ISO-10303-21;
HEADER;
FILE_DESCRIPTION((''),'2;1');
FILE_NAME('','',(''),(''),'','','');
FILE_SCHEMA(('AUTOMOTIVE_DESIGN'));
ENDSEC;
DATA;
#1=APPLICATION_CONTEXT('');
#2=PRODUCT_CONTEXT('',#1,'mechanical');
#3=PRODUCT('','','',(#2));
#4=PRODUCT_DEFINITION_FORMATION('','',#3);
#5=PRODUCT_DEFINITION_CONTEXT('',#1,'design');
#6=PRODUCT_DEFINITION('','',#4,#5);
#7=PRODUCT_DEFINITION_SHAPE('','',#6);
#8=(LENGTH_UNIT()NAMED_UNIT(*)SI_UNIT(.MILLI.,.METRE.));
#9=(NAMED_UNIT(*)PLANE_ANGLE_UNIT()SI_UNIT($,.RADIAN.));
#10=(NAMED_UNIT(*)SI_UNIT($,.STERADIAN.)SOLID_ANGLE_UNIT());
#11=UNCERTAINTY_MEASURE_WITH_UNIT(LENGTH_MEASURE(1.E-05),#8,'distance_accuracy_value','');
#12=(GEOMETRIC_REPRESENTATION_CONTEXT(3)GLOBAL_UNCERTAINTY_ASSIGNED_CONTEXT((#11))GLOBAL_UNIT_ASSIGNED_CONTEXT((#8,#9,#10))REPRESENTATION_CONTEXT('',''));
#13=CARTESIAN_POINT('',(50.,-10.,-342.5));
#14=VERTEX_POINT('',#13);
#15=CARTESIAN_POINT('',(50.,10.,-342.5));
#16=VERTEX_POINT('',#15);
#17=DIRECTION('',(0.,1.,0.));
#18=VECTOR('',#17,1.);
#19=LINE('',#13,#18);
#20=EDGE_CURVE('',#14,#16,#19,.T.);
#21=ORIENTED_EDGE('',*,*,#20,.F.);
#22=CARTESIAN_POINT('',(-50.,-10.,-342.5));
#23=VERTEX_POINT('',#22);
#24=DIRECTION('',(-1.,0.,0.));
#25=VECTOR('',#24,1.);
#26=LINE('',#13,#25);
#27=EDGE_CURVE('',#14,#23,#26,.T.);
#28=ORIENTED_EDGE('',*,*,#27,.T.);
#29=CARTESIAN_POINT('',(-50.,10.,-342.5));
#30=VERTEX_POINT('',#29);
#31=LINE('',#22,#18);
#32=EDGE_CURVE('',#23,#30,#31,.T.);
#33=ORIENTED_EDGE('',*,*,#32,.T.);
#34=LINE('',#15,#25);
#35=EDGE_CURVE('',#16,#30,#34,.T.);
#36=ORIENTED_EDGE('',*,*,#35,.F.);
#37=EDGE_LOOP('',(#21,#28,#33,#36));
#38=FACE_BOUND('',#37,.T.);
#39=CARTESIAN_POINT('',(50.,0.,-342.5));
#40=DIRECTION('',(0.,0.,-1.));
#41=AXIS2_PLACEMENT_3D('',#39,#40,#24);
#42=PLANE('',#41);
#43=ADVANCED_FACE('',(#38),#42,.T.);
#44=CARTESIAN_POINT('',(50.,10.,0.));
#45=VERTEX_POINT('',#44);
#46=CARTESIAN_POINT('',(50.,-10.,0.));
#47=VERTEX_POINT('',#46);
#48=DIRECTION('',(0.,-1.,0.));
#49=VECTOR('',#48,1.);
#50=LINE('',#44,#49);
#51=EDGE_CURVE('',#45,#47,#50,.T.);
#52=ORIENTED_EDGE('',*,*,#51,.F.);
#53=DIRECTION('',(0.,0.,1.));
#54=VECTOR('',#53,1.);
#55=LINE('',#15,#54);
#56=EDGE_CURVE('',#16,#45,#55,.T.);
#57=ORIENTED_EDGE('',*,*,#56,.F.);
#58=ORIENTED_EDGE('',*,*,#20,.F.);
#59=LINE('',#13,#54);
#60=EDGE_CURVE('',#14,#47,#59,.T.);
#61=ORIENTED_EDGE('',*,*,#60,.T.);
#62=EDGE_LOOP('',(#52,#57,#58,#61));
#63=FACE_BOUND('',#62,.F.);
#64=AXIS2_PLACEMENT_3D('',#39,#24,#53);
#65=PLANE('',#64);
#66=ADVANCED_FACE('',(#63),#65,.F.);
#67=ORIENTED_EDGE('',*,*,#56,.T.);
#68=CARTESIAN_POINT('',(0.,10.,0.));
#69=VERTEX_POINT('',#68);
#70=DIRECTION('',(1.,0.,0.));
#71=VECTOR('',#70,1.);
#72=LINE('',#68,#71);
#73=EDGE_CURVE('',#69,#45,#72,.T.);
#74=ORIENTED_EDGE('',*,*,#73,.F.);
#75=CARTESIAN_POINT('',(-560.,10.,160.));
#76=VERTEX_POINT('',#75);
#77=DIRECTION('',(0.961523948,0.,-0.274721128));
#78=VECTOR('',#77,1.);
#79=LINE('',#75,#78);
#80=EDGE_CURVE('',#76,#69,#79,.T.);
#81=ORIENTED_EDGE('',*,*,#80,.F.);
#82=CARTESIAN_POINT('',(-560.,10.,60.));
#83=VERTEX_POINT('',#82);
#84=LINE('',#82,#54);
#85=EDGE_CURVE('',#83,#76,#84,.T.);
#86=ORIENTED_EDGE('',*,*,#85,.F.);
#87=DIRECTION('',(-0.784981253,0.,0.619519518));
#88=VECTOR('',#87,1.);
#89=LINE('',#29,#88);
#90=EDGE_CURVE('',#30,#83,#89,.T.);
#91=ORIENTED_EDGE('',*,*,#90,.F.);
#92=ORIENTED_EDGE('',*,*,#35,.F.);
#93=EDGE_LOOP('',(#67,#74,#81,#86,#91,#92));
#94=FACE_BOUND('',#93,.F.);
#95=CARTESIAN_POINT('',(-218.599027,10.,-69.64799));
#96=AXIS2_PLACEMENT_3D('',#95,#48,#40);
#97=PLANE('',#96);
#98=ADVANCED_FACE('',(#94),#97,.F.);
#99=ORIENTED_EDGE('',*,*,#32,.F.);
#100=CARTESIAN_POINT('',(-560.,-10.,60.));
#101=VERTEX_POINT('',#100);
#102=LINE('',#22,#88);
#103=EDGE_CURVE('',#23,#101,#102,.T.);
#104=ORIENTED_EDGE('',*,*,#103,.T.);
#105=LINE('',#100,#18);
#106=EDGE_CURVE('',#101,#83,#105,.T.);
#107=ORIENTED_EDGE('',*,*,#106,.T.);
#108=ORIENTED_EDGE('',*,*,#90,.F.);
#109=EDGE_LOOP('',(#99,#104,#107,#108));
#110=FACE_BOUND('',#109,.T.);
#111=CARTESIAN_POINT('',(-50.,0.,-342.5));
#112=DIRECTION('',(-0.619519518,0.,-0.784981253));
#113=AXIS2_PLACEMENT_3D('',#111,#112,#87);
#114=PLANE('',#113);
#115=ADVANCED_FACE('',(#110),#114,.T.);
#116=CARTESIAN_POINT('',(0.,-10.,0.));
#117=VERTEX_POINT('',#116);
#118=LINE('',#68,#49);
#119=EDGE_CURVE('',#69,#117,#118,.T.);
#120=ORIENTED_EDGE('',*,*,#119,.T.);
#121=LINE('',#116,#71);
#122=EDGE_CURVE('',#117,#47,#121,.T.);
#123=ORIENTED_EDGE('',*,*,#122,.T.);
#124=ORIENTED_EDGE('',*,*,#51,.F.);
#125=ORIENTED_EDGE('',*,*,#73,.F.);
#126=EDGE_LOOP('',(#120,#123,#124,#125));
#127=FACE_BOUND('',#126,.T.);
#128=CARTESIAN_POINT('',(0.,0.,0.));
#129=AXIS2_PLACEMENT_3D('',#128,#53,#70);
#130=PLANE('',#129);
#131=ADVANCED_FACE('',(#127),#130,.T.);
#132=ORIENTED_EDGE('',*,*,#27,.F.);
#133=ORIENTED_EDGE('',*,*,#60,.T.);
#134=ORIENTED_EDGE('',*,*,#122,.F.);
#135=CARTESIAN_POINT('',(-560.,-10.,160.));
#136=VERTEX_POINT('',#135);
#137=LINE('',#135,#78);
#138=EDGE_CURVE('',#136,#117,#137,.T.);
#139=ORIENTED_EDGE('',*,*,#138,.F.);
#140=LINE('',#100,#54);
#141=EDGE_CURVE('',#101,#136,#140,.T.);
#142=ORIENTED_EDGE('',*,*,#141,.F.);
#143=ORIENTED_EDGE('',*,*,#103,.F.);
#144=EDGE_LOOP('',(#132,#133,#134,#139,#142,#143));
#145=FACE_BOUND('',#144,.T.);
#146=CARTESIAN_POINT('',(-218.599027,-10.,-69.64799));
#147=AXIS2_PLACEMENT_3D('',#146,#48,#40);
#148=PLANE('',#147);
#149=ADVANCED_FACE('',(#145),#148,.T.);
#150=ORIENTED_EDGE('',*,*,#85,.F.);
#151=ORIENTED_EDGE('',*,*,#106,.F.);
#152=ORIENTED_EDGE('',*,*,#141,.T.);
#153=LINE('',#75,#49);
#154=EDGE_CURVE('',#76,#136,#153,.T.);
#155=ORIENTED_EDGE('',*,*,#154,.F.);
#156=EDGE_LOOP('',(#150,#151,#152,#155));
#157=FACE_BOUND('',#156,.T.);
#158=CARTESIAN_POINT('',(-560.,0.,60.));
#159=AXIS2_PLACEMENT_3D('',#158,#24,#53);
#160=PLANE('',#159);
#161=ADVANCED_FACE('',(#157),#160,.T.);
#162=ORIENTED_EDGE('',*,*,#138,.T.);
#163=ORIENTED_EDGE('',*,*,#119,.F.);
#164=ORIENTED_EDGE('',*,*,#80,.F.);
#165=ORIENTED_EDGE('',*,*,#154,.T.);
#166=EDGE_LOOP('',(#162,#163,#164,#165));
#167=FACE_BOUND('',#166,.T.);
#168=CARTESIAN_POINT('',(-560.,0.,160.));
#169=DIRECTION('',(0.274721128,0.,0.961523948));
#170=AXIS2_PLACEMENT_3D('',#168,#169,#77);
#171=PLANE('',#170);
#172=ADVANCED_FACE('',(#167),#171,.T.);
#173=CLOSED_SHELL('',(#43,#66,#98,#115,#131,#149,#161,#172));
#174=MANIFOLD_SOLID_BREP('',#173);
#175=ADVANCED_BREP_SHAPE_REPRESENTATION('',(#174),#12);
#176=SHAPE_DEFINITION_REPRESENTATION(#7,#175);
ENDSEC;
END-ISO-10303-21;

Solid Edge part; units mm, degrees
sketch "Sketch1" plane through (0, 0, 0) normal (0, -1, 0) x (1, 0, 0)
  line L0 (50, -342.5) -> (50, 0)
  line L1 (0, 0) -> (50, 0)
  line L2 (-560, 160) -> (0, 0)
  line L3 (-560, 60) -> (-560, 160)
  line L4 (-50, -342.5) -> (-560, 60)
  line L5 (50, -342.5) -> (-50, -342.5)
extrude "Protrusion1" add sketch "Sketch1" along normal mid plane 20
